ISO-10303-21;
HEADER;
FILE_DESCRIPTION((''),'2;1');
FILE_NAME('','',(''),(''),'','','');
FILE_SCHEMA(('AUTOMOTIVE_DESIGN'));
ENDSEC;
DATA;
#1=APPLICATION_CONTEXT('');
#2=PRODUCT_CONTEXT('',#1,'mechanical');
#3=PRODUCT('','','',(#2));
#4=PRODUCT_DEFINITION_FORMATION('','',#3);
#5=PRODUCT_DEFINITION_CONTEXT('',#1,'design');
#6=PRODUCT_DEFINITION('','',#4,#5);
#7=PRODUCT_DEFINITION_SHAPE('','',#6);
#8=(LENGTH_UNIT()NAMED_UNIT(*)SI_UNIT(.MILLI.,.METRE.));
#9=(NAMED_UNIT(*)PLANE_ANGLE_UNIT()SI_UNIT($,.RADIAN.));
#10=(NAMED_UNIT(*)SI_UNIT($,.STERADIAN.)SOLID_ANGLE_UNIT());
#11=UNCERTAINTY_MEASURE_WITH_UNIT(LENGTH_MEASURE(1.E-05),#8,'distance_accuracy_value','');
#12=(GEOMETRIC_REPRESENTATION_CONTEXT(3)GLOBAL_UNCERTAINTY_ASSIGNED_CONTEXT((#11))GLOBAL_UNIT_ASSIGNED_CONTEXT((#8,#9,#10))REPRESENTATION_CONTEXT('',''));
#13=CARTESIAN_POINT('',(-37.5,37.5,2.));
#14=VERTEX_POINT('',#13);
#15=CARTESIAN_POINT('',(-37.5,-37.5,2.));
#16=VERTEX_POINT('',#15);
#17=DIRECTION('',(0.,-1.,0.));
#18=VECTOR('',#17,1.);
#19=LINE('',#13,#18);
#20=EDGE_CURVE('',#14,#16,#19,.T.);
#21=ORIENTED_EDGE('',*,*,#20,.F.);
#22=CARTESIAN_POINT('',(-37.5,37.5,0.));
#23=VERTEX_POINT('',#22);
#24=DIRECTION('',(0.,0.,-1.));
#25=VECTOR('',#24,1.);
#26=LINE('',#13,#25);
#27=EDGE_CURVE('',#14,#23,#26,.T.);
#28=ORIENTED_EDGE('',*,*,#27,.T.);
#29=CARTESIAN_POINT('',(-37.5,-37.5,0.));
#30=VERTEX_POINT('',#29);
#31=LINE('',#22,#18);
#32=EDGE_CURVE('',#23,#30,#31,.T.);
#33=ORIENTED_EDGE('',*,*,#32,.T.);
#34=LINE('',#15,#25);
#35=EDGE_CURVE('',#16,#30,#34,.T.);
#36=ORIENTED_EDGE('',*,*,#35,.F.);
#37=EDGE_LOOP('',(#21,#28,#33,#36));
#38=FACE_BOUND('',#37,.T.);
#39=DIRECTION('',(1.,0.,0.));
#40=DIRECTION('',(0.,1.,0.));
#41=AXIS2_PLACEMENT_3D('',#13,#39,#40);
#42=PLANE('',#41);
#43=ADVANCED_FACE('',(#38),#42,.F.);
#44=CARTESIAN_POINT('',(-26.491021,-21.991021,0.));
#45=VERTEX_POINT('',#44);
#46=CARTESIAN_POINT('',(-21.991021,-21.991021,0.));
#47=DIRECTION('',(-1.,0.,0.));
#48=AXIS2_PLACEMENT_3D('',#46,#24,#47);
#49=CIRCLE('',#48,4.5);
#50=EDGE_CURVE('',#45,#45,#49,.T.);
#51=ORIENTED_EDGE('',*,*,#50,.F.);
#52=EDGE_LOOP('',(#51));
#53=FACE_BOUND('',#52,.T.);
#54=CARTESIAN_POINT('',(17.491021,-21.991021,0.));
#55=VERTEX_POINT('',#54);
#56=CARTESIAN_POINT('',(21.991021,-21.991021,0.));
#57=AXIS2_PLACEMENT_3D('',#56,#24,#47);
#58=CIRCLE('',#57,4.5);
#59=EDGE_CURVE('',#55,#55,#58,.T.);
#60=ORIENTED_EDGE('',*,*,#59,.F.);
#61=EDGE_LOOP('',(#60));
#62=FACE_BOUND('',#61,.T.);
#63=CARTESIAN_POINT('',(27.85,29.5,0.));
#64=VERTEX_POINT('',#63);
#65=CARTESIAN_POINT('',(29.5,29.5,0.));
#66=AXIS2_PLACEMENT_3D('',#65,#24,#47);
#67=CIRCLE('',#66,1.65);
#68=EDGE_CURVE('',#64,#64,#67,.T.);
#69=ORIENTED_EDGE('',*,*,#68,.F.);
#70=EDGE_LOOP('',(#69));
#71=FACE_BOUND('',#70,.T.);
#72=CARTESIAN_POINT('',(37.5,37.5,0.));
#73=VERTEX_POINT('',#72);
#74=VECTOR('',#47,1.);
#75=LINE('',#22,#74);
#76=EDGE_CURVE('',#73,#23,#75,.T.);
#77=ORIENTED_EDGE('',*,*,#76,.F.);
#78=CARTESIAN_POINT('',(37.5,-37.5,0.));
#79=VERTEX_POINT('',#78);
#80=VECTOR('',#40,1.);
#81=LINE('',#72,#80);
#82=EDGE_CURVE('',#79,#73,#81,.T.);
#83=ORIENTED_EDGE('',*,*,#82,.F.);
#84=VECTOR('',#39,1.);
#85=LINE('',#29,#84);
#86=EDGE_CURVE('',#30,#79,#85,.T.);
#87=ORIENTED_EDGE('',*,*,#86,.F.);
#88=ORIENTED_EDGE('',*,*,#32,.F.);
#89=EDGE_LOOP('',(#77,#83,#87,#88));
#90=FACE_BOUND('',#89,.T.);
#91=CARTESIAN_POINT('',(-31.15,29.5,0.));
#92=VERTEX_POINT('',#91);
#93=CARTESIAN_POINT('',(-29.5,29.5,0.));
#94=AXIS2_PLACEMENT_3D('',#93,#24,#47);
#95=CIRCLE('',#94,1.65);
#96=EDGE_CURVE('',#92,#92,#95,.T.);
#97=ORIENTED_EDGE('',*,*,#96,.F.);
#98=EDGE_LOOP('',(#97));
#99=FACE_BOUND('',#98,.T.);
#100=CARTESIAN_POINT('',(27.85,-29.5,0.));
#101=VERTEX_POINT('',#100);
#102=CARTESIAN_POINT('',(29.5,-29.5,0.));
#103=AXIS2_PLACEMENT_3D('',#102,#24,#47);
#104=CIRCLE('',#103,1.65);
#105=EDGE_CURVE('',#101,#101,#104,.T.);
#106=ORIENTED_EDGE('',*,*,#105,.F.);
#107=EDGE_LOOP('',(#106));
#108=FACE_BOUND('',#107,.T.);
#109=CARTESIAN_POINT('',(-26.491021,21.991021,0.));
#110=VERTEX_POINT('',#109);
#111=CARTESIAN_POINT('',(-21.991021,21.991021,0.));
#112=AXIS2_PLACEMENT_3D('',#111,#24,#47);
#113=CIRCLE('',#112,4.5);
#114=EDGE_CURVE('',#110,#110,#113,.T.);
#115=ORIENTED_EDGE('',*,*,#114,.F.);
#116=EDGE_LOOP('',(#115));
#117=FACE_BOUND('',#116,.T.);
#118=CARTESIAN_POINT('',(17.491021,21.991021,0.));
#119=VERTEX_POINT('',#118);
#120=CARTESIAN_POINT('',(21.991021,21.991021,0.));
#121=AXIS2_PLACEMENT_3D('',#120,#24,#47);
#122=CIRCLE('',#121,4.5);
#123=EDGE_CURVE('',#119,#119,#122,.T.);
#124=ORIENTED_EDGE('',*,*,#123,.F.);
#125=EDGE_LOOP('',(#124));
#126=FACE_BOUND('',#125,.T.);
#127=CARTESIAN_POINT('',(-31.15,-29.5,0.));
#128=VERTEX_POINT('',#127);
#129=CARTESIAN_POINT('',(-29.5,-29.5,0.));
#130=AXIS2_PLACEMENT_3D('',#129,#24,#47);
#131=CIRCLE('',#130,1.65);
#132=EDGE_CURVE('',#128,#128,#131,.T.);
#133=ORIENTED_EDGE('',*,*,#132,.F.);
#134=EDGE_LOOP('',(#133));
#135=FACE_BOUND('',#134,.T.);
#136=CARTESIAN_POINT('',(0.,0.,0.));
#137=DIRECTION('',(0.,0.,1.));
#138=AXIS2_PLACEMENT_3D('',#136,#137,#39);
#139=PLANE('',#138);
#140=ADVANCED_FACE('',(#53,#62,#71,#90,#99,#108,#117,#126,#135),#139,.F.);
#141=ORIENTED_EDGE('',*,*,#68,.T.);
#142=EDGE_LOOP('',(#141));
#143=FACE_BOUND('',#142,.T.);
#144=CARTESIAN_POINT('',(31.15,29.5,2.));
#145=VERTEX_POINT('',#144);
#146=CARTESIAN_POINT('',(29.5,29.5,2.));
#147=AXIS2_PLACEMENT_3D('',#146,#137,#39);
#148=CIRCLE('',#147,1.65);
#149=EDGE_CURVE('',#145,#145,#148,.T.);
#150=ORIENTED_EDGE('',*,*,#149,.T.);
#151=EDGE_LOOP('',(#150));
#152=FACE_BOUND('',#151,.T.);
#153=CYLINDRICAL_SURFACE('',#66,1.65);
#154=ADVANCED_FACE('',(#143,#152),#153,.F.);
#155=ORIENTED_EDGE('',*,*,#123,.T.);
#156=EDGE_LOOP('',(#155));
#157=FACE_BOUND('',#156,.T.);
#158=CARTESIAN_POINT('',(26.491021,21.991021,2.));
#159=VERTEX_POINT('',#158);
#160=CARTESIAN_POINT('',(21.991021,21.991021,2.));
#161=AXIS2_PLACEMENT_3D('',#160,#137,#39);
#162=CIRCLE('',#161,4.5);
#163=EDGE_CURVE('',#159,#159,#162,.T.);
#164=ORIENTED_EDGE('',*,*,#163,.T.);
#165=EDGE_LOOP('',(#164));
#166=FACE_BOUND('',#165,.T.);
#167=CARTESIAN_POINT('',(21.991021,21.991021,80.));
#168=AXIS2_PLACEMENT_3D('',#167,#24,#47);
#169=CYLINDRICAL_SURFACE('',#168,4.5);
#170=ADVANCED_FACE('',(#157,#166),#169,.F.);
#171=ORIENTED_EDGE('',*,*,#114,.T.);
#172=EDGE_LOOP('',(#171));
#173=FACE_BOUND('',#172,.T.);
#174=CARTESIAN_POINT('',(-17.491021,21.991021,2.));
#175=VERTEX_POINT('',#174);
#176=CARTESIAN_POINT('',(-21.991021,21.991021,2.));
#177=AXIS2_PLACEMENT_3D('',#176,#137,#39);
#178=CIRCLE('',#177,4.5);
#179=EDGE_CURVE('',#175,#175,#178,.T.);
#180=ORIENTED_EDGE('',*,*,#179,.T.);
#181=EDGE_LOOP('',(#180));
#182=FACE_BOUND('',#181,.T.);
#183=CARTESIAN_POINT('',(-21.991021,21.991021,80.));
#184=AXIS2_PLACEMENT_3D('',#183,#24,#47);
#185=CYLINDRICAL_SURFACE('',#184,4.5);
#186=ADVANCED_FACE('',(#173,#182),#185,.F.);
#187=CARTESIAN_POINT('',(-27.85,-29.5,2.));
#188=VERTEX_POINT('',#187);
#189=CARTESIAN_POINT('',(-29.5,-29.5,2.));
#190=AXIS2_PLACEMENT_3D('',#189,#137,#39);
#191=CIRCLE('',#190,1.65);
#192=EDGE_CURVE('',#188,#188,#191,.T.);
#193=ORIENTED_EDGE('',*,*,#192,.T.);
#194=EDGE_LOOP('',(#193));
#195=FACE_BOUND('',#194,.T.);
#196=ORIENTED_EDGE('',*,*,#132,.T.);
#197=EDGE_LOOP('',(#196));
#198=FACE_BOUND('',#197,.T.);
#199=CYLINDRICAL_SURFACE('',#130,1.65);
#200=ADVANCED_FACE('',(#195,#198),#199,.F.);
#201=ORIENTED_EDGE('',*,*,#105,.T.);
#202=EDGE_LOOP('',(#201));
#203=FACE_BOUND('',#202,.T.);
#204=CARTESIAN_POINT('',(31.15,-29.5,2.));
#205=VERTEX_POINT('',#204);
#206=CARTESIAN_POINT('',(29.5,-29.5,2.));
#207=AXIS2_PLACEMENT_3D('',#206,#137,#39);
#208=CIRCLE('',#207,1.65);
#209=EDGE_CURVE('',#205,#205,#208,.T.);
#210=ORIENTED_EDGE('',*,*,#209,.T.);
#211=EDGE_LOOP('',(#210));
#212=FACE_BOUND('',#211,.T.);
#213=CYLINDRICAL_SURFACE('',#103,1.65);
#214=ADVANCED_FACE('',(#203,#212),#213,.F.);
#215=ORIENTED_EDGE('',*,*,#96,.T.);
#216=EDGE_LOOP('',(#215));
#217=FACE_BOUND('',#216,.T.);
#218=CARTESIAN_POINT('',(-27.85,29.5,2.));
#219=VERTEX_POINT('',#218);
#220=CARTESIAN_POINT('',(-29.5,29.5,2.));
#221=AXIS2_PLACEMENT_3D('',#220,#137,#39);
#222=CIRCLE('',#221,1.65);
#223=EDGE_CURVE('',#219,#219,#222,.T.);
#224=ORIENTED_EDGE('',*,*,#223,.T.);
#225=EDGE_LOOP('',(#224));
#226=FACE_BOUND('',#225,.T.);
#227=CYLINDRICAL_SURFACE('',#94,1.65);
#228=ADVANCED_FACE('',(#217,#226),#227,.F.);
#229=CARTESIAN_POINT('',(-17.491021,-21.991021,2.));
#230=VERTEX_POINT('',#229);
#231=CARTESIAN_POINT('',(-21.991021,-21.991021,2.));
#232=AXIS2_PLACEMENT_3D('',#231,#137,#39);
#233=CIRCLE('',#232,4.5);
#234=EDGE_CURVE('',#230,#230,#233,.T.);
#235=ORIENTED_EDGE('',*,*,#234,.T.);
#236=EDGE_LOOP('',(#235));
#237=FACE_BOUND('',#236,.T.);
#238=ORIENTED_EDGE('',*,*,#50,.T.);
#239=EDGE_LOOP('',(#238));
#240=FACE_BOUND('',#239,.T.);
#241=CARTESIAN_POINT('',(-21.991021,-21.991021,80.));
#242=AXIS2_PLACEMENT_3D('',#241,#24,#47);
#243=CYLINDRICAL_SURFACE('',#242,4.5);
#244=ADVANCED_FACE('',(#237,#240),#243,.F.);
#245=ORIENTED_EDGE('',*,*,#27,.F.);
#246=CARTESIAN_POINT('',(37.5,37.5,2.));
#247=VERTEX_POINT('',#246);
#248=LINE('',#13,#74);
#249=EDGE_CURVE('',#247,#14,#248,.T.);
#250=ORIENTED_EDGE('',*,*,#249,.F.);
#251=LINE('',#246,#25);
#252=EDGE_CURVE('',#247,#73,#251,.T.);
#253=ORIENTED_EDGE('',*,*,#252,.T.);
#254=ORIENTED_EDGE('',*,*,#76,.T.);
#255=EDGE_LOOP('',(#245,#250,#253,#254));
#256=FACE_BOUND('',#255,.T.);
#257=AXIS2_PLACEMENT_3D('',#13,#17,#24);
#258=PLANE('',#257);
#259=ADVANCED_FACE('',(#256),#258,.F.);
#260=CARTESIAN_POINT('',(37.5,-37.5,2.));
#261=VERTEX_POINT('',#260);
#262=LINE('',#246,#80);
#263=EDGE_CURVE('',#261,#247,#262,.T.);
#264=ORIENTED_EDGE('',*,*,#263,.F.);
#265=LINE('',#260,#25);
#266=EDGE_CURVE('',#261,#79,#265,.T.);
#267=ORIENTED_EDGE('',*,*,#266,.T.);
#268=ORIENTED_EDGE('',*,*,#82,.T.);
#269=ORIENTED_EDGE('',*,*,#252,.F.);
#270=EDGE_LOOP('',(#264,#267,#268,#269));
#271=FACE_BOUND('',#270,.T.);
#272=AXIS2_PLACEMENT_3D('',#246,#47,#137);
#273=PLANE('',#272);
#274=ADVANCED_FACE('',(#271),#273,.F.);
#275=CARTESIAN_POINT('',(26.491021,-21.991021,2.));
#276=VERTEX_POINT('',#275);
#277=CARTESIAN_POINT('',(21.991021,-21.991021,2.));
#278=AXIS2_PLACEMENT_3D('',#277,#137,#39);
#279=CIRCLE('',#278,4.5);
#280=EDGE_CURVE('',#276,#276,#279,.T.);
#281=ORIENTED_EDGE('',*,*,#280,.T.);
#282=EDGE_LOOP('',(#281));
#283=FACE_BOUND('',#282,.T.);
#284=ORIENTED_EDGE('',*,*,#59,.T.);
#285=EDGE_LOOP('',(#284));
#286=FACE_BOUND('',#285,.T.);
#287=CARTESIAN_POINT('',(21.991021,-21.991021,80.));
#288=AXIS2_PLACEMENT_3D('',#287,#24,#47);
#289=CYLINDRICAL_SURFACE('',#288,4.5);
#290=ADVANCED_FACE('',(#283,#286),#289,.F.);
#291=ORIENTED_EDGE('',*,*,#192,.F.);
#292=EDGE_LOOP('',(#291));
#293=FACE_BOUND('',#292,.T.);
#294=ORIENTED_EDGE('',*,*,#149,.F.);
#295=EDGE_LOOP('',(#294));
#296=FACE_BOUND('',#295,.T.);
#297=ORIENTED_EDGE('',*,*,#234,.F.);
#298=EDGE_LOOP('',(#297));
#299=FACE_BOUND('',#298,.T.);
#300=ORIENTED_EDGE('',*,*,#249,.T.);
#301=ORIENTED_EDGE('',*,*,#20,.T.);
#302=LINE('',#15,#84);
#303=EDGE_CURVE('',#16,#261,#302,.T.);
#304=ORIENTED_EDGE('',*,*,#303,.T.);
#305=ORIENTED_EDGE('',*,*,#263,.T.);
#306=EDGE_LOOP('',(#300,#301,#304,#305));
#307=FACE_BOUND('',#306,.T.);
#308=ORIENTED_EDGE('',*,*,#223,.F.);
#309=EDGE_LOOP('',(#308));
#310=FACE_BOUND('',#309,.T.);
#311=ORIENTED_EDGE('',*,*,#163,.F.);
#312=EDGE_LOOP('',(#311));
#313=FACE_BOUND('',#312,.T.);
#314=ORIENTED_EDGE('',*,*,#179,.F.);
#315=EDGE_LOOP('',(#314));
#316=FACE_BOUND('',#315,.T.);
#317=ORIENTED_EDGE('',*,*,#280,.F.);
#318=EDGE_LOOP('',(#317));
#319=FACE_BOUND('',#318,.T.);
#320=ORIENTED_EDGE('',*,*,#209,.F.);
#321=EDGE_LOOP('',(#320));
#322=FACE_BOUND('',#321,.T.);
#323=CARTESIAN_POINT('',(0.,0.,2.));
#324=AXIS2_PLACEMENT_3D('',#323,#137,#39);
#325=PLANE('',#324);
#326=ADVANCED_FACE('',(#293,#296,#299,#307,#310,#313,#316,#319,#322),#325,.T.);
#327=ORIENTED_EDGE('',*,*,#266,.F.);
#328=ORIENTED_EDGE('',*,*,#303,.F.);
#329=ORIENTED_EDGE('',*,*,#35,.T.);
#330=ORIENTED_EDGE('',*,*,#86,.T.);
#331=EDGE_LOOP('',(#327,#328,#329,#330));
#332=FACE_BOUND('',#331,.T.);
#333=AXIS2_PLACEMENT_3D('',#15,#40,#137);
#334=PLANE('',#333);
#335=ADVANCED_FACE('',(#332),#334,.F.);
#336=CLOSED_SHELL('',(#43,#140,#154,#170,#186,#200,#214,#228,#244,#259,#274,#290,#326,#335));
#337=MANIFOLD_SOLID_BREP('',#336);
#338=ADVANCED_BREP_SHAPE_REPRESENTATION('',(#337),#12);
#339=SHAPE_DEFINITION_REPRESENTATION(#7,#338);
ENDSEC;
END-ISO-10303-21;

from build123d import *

# Parameters (mm, degrees)
SKETCH_1_W          = 75
SKETCH_1_H          = 75
EXTRUDE_1_DEPTH     = 2
M4X0_7_1_D          = 3.3
M4X0_7_1_DEPTH      = 11.5
M4X0_7_1_TIP        = 0.991420021
CUT_EXTRUDE_1_DEPTH = 80


with BuildPart() as part:
    # ｽｹｯﾁ1 → ﾎﾞｽ - 押し出し1 (new body)
    with BuildSketch(Plane.XY):
        Rectangle(SKETCH_1_W, SKETCH_1_H)
    extrude(amount=EXTRUDE_1_DEPTH)

    # M4x0.7 ねじ穴1
    with Locations(Plane(origin=(-29.5, -29.5, 0), x_dir=(-1, 0, 0), z_dir=(0, 0, -1))):
        with Locations((0, 0), (0, 59), (-59, 59), (-59, 0)):
            Hole(M4X0_7_1_D / 2, depth=M4X0_7_1_DEPTH)
            with Locations((0, 0, -(M4X0_7_1_DEPTH + M4X0_7_1_TIP / 2))):  # 118° drill point
                Cone(0, M4X0_7_1_D / 2, M4X0_7_1_TIP, mode=Mode.SUBTRACT)

    # ｽｹｯﾁ5 → ｶｯﾄ - 押し出し1 (cut)
    with BuildSketch(Plane(origin=(0, 0, 0), x_dir=(-1, 0, 0), z_dir=(0, 0, -1))):
        with BuildLine():
            ThreePointArc((21.991020895, -17.491020895), (18.80904038, -18.80904038), (17.491020895, -21.991020895))
            Line((17.491020895, -21.991020895), (21.991020895, -21.991020895))
            Line((21.991020895, -21.991020895), (21.991020895, -17.491020895))
        make_face()
        with BuildLine():
            Line((21.991020895, -21.991020895), (17.491020895, -21.991020895))
            ThreePointArc((17.491020895, -21.991020895), (21.991020895, -26.491020895), (26.491020895, -21.991020895))
            ThreePointArc((26.491020895, -21.991020895), (25.17300141, -18.80904038), (21.991020895, -17.491020895))
            Line((21.991020895, -17.491020895), (21.991020895, -21.991020895))
        make_face()
        with BuildLine():
            ThreePointArc((17.491020895, 21.991020895), (18.80904038, 18.80904038), (21.991020895, 17.491020895))
            Line((21.991020895, 17.491020895), (21.991020895, 21.991020895))
            Line((21.991020895, 21.991020895), (17.491020895, 21.991020895))
        make_face()
        with BuildLine():
            Line((21.991020895, 21.991020895), (21.991020895, 17.491020895))
            ThreePointArc((21.991020895, 17.491020895), (25.17300141, 18.80904038), (26.491020895, 21.991020895))
            ThreePointArc((26.491020895, 21.991020895), (21.991020895, 26.491020895), (17.491020895, 21.991020895))
            Line((17.491020895, 21.991020895), (21.991020895, 21.991020895))
        make_face()
        with BuildLine():
            ThreePointArc((-17.491020895, 21.991020895), (-25.17300141, 25.17300141), (-21.991020895, 17.491020895))
            Line((-21.991020895, 17.491020895), (-21.991020895, 21.991020895))
            Line((-21.991020895, 21.991020895), (-17.491020895, 21.991020895))
        make_face()
        with BuildLine():
            Line((-21.991020895, 21.991020895), (-21.991020895, 17.491020895))
            ThreePointArc((-21.991020895, 17.491020895), (-18.80904038, 18.80904038), (-17.491020895, 21.991020895))
            Line((-17.491020895, 21.991020895), (-21.991020895, 21.991020895))
        make_face()
        with BuildLine():
            Line((-17.491020895, -21.991020895), (-21.991020895, -21.991020895))
            Line((-21.991020895, -21.991020895), (-21.991020895, -17.491020895))
            ThreePointArc((-21.991020895, -17.491020895), (-25.17300141, -25.17300141), (-17.491020895, -21.991020895))
        make_face()
        with BuildLine():
            Line((-21.991020895, -21.991020895), (-18.80904038, -18.80904038))
            ThreePointArc((-18.80904038, -18.80904038), (-20.268945449, -17.833562999), (-21.991020895, -17.491020895))
            Line((-21.991020895, -17.491020895), (-21.991020895, -21.991020895))
        make_face()
        with BuildLine():
            ThreePointArc((-17.491020895, -21.991020895), (-17.833562999, -20.268945449), (-18.80904038, -18.80904038))
            Line((-18.80904038, -18.80904038), (-21.991020895, -21.991020895))
            Line((-21.991020895, -21.991020895), (-17.491020895, -21.991020895))
        make_face()
    extrude(amount=-CUT_EXTRUDE_1_DEPTH, mode=Mode.SUBTRACT)


solid = part.part
